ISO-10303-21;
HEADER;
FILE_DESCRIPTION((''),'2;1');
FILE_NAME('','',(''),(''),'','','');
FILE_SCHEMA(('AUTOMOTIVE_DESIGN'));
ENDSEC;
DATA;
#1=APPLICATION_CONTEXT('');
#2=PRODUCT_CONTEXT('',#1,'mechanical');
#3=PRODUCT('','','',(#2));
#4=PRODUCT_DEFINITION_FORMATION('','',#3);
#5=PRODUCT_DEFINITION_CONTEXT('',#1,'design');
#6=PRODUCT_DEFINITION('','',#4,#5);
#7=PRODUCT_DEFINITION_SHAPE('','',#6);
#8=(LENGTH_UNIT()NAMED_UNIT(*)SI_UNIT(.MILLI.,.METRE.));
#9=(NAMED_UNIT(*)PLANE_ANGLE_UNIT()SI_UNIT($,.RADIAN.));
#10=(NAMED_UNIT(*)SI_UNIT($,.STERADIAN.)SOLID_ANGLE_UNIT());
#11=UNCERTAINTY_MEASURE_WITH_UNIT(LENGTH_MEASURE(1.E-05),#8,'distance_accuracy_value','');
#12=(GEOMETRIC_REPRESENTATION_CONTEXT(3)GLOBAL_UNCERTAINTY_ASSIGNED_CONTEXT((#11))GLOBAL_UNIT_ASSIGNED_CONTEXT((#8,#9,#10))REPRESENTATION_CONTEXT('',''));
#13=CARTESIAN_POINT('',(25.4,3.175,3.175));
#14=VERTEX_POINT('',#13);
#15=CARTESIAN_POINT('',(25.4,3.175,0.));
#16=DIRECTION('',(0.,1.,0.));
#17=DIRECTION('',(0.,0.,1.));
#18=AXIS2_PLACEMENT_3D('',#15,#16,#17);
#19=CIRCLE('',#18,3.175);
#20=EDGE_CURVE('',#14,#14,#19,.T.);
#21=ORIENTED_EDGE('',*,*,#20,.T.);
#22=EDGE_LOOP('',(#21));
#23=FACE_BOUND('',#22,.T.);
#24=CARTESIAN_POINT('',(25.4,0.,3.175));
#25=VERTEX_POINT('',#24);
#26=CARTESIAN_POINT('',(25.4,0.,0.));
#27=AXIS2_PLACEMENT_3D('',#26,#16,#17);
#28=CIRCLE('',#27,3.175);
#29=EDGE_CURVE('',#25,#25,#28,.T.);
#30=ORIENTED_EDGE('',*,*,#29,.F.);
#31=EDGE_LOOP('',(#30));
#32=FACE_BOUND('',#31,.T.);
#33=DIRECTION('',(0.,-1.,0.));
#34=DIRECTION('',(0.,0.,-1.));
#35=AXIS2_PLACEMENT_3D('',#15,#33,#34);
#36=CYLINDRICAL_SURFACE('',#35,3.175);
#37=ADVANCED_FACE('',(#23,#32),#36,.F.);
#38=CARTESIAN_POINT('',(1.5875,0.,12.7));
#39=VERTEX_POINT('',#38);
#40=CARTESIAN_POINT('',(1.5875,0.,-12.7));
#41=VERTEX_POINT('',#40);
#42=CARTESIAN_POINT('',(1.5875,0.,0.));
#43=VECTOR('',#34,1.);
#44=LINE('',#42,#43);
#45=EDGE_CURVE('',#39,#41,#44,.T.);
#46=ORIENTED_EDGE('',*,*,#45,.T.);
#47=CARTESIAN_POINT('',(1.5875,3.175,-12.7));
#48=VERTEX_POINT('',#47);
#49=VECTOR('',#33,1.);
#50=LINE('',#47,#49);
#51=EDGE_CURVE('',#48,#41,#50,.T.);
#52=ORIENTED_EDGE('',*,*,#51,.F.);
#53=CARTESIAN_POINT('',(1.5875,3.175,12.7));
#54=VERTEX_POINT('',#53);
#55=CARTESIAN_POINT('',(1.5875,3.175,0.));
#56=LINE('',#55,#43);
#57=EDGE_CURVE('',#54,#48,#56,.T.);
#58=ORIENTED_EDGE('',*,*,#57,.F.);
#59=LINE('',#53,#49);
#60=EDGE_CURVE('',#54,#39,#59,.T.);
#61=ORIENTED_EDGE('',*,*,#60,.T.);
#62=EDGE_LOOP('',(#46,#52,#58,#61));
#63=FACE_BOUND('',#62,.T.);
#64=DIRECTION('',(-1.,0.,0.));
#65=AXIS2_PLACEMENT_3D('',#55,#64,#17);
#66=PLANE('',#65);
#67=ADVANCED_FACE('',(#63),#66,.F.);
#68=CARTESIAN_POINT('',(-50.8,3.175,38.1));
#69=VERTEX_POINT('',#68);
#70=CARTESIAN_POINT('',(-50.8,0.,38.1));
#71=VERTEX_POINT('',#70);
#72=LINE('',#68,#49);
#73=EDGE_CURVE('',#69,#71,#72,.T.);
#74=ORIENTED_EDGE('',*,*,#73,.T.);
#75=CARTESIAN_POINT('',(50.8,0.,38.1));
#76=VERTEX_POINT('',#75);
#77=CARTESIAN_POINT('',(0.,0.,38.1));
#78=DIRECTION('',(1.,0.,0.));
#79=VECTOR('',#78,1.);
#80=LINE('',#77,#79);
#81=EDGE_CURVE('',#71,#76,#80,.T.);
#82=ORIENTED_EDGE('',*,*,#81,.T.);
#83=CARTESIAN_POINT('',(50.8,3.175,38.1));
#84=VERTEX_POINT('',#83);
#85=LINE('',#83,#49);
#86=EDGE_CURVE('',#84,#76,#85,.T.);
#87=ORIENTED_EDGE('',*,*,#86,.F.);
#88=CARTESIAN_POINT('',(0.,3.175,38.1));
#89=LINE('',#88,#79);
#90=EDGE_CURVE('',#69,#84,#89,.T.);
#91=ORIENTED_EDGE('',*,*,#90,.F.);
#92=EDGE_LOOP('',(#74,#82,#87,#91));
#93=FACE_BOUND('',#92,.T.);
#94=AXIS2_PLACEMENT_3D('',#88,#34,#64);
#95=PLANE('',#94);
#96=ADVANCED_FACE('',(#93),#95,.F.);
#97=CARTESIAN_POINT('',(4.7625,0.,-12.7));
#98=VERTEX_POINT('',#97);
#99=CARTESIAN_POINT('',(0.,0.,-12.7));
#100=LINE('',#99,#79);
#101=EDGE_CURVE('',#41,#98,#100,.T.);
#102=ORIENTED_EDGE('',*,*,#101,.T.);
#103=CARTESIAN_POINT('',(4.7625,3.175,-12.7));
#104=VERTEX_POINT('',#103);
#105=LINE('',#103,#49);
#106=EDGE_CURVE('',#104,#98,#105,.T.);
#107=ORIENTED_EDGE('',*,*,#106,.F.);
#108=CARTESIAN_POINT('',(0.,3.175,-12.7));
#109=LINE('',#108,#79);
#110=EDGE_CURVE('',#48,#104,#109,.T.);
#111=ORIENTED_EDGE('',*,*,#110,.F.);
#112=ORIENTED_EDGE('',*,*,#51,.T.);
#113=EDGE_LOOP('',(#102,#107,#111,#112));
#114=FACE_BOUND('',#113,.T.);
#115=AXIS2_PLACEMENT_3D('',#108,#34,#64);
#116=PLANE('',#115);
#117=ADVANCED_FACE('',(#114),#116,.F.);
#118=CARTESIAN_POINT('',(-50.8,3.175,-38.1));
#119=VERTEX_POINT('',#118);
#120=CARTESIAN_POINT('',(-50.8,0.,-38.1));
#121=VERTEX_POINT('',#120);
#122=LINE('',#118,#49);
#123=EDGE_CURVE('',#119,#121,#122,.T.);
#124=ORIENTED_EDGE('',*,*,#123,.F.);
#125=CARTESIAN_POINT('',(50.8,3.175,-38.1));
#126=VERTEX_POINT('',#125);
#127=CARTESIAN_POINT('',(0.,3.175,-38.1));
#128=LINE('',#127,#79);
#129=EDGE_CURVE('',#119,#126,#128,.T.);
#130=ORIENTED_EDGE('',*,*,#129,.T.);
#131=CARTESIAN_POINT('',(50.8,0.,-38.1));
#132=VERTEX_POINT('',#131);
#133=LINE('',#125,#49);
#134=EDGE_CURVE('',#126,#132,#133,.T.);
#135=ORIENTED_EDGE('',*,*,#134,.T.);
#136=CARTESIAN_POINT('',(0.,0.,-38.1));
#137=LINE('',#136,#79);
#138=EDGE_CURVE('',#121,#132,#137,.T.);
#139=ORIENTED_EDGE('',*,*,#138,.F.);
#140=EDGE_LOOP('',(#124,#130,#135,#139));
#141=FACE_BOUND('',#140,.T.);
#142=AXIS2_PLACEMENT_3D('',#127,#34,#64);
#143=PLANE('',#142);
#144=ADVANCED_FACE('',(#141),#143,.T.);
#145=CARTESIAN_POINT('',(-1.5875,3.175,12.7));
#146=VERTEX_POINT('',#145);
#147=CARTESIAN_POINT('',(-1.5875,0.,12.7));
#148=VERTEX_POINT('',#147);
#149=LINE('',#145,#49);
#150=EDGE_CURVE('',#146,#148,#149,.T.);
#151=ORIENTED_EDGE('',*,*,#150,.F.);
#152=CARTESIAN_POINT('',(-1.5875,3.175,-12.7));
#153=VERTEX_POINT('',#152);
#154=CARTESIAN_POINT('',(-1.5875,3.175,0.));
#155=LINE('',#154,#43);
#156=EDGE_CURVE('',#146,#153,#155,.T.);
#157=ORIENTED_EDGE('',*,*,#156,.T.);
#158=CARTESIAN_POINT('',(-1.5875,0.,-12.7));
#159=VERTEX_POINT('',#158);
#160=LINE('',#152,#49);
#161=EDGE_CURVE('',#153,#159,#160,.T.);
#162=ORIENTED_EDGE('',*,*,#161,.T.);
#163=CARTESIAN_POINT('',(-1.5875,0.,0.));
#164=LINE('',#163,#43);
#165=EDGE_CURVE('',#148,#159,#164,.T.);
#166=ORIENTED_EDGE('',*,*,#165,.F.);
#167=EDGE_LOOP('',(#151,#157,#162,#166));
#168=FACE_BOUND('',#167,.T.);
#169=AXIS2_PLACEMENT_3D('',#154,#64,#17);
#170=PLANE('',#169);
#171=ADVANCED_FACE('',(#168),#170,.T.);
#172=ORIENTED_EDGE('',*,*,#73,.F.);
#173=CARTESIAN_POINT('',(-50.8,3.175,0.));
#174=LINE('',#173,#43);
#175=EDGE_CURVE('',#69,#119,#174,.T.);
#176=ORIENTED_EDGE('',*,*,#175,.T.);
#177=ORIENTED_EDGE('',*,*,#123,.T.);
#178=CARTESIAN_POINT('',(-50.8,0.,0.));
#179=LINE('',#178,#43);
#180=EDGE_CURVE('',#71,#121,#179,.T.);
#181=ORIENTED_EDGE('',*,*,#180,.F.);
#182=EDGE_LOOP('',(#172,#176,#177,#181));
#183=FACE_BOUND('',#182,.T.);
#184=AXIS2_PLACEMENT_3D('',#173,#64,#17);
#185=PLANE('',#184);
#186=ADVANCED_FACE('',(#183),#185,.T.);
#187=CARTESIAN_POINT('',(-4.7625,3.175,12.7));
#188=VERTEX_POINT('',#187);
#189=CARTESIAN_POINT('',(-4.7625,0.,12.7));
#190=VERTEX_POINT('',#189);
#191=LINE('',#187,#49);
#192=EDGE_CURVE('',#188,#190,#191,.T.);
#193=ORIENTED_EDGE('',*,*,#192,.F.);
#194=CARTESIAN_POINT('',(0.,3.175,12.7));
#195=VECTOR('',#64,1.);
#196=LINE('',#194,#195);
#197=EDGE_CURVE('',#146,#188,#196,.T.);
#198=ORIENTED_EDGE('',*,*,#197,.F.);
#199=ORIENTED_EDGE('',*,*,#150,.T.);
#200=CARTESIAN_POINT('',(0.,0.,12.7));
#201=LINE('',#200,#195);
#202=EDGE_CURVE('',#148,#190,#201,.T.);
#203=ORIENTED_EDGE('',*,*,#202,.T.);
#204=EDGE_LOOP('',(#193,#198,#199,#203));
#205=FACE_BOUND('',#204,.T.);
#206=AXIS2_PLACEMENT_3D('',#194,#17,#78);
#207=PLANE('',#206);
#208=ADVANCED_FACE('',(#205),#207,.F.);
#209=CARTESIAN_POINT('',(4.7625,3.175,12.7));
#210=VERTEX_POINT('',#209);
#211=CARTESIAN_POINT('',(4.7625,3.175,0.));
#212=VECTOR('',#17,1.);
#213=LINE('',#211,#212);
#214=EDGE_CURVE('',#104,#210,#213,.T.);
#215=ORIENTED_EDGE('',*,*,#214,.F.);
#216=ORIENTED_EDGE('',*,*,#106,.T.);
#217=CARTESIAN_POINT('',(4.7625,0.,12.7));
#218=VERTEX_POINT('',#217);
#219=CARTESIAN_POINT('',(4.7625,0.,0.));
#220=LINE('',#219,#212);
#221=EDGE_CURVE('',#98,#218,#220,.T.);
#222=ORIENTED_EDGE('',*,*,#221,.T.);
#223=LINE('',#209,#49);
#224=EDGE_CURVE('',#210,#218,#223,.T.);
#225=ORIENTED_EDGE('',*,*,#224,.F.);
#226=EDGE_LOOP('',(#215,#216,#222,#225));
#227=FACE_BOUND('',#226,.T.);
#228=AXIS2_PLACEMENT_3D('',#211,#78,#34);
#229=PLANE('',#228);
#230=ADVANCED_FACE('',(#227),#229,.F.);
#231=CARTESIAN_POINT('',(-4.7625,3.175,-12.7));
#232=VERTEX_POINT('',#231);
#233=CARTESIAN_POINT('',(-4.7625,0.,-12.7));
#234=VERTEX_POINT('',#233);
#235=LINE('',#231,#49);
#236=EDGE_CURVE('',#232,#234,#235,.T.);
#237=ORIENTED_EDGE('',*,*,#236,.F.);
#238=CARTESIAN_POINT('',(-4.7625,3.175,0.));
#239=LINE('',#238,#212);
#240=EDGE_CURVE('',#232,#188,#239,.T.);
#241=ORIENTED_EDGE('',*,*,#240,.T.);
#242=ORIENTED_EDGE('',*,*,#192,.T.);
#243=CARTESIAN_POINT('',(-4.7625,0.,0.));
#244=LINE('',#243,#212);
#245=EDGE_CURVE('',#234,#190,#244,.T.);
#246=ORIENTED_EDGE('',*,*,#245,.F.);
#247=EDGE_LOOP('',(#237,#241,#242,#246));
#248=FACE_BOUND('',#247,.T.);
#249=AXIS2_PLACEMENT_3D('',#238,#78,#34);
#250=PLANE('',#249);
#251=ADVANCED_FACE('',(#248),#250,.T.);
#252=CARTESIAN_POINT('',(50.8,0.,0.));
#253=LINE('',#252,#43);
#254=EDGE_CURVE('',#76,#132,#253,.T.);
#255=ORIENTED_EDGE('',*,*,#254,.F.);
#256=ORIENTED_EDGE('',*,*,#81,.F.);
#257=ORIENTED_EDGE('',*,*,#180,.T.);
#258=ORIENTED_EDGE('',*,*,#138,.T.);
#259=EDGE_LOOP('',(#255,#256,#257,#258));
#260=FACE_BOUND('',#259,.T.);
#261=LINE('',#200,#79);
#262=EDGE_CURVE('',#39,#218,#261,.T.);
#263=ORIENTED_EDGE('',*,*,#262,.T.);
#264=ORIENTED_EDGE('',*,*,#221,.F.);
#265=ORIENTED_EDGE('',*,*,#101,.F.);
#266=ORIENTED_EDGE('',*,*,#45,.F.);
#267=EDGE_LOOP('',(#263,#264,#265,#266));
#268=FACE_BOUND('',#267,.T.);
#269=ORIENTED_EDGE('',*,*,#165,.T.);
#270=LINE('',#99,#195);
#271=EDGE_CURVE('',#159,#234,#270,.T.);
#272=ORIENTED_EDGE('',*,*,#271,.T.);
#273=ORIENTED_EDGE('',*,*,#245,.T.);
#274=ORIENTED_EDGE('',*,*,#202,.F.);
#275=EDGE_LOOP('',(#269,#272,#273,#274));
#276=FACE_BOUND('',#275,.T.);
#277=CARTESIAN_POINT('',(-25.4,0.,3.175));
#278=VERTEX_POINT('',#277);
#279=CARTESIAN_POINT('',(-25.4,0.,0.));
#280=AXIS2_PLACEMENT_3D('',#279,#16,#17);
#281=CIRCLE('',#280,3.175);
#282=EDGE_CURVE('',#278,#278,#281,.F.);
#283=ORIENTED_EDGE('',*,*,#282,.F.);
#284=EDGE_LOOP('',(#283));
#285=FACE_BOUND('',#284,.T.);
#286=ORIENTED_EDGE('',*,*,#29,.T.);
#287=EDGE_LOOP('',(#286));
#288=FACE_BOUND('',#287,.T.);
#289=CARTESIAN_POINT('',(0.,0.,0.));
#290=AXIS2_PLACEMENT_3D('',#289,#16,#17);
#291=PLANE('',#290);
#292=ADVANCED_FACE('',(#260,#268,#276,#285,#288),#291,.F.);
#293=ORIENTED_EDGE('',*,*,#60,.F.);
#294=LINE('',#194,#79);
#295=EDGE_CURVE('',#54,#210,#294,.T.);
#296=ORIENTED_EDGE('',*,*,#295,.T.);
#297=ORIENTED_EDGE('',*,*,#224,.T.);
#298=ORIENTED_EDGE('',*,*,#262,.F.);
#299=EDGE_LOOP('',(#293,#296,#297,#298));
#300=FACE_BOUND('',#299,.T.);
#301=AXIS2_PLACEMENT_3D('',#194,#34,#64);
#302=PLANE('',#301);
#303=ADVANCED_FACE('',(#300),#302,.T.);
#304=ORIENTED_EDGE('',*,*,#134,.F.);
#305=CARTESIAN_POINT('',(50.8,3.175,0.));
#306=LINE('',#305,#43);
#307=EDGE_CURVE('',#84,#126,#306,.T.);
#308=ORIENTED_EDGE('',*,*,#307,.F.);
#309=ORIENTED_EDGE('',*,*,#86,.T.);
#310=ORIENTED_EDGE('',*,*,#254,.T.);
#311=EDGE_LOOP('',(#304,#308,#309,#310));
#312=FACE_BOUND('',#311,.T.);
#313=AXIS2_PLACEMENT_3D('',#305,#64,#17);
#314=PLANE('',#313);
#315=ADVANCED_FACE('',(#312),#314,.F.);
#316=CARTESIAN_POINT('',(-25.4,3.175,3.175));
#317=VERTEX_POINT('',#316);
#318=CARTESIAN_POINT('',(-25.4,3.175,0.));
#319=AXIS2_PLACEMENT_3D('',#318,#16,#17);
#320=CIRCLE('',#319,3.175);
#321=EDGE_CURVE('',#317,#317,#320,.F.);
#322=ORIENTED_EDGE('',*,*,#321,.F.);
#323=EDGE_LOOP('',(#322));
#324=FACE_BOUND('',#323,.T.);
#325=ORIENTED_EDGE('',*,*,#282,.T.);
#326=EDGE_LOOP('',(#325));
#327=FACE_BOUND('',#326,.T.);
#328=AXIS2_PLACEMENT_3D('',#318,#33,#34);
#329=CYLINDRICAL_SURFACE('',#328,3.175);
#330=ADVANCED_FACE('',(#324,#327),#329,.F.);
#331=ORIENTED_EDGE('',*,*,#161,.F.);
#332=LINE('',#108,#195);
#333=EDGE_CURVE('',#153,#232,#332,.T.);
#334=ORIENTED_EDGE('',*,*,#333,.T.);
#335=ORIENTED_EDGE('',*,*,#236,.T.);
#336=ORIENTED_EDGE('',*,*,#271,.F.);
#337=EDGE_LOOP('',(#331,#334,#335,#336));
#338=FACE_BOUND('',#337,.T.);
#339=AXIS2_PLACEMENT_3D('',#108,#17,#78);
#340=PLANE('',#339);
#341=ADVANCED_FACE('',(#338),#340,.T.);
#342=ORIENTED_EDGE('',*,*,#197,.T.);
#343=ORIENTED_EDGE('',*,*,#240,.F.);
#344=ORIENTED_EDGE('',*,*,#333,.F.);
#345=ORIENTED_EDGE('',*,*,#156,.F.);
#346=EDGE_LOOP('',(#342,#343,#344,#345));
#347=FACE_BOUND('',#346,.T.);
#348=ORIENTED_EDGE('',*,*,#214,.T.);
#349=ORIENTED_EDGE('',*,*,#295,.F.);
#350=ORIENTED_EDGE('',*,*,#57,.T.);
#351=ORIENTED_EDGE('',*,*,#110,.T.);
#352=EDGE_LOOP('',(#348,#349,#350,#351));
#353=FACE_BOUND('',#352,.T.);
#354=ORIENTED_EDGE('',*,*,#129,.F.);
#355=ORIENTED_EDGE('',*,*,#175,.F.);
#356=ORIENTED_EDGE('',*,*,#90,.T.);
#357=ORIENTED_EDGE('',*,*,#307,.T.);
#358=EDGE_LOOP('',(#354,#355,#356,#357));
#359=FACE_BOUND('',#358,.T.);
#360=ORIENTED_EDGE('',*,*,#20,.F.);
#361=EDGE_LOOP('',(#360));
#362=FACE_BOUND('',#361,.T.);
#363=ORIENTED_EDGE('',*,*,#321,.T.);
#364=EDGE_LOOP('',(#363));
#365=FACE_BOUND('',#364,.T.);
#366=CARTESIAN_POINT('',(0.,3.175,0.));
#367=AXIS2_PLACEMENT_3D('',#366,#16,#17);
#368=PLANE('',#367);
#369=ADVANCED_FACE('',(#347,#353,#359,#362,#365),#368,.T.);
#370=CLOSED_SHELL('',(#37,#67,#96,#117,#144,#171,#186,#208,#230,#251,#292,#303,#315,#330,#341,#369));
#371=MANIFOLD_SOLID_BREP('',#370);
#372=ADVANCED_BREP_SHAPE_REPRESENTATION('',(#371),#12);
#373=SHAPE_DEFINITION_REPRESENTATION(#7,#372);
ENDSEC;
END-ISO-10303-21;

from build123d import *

# Parameters (mm, degrees)
SKETCH2_W           = 101.6
SKETCH2_H           = 76.2
SKETCH2_R           = 3.175
SKETCH2_W_2         = 3.175
SKETCH2_H_2         = 25.4
BOSS_EXTRUDE1_DEPTH = 3.175


with BuildPart() as part:
    # Sketch2 → Boss-Extrude1 (new body)
    with BuildSketch(Plane(origin=(0, 0, 0), x_dir=(1, 0, 0), z_dir=(0, 1, 0))):
        Rectangle(SKETCH2_W, SKETCH2_H)
        with Locations(Location((25.4, 0, 0), (0, 0, 270))):
            Circle(SKETCH2_R, mode=Mode.SUBTRACT)
        with Locations(Location((-25.4, 0, 0), (0, 0, 270))):
            Circle(SKETCH2_R, mode=Mode.SUBTRACT)
        with Locations((3.175, 0)):
            Rectangle(SKETCH2_W_2, SKETCH2_H_2, mode=Mode.SUBTRACT)
        with Locations((-3.175, 0)):
            Rectangle(SKETCH2_W_2, SKETCH2_H_2, mode=Mode.SUBTRACT)
    extrude(amount=BOSS_EXTRUDE1_DEPTH)


solid = part.part
